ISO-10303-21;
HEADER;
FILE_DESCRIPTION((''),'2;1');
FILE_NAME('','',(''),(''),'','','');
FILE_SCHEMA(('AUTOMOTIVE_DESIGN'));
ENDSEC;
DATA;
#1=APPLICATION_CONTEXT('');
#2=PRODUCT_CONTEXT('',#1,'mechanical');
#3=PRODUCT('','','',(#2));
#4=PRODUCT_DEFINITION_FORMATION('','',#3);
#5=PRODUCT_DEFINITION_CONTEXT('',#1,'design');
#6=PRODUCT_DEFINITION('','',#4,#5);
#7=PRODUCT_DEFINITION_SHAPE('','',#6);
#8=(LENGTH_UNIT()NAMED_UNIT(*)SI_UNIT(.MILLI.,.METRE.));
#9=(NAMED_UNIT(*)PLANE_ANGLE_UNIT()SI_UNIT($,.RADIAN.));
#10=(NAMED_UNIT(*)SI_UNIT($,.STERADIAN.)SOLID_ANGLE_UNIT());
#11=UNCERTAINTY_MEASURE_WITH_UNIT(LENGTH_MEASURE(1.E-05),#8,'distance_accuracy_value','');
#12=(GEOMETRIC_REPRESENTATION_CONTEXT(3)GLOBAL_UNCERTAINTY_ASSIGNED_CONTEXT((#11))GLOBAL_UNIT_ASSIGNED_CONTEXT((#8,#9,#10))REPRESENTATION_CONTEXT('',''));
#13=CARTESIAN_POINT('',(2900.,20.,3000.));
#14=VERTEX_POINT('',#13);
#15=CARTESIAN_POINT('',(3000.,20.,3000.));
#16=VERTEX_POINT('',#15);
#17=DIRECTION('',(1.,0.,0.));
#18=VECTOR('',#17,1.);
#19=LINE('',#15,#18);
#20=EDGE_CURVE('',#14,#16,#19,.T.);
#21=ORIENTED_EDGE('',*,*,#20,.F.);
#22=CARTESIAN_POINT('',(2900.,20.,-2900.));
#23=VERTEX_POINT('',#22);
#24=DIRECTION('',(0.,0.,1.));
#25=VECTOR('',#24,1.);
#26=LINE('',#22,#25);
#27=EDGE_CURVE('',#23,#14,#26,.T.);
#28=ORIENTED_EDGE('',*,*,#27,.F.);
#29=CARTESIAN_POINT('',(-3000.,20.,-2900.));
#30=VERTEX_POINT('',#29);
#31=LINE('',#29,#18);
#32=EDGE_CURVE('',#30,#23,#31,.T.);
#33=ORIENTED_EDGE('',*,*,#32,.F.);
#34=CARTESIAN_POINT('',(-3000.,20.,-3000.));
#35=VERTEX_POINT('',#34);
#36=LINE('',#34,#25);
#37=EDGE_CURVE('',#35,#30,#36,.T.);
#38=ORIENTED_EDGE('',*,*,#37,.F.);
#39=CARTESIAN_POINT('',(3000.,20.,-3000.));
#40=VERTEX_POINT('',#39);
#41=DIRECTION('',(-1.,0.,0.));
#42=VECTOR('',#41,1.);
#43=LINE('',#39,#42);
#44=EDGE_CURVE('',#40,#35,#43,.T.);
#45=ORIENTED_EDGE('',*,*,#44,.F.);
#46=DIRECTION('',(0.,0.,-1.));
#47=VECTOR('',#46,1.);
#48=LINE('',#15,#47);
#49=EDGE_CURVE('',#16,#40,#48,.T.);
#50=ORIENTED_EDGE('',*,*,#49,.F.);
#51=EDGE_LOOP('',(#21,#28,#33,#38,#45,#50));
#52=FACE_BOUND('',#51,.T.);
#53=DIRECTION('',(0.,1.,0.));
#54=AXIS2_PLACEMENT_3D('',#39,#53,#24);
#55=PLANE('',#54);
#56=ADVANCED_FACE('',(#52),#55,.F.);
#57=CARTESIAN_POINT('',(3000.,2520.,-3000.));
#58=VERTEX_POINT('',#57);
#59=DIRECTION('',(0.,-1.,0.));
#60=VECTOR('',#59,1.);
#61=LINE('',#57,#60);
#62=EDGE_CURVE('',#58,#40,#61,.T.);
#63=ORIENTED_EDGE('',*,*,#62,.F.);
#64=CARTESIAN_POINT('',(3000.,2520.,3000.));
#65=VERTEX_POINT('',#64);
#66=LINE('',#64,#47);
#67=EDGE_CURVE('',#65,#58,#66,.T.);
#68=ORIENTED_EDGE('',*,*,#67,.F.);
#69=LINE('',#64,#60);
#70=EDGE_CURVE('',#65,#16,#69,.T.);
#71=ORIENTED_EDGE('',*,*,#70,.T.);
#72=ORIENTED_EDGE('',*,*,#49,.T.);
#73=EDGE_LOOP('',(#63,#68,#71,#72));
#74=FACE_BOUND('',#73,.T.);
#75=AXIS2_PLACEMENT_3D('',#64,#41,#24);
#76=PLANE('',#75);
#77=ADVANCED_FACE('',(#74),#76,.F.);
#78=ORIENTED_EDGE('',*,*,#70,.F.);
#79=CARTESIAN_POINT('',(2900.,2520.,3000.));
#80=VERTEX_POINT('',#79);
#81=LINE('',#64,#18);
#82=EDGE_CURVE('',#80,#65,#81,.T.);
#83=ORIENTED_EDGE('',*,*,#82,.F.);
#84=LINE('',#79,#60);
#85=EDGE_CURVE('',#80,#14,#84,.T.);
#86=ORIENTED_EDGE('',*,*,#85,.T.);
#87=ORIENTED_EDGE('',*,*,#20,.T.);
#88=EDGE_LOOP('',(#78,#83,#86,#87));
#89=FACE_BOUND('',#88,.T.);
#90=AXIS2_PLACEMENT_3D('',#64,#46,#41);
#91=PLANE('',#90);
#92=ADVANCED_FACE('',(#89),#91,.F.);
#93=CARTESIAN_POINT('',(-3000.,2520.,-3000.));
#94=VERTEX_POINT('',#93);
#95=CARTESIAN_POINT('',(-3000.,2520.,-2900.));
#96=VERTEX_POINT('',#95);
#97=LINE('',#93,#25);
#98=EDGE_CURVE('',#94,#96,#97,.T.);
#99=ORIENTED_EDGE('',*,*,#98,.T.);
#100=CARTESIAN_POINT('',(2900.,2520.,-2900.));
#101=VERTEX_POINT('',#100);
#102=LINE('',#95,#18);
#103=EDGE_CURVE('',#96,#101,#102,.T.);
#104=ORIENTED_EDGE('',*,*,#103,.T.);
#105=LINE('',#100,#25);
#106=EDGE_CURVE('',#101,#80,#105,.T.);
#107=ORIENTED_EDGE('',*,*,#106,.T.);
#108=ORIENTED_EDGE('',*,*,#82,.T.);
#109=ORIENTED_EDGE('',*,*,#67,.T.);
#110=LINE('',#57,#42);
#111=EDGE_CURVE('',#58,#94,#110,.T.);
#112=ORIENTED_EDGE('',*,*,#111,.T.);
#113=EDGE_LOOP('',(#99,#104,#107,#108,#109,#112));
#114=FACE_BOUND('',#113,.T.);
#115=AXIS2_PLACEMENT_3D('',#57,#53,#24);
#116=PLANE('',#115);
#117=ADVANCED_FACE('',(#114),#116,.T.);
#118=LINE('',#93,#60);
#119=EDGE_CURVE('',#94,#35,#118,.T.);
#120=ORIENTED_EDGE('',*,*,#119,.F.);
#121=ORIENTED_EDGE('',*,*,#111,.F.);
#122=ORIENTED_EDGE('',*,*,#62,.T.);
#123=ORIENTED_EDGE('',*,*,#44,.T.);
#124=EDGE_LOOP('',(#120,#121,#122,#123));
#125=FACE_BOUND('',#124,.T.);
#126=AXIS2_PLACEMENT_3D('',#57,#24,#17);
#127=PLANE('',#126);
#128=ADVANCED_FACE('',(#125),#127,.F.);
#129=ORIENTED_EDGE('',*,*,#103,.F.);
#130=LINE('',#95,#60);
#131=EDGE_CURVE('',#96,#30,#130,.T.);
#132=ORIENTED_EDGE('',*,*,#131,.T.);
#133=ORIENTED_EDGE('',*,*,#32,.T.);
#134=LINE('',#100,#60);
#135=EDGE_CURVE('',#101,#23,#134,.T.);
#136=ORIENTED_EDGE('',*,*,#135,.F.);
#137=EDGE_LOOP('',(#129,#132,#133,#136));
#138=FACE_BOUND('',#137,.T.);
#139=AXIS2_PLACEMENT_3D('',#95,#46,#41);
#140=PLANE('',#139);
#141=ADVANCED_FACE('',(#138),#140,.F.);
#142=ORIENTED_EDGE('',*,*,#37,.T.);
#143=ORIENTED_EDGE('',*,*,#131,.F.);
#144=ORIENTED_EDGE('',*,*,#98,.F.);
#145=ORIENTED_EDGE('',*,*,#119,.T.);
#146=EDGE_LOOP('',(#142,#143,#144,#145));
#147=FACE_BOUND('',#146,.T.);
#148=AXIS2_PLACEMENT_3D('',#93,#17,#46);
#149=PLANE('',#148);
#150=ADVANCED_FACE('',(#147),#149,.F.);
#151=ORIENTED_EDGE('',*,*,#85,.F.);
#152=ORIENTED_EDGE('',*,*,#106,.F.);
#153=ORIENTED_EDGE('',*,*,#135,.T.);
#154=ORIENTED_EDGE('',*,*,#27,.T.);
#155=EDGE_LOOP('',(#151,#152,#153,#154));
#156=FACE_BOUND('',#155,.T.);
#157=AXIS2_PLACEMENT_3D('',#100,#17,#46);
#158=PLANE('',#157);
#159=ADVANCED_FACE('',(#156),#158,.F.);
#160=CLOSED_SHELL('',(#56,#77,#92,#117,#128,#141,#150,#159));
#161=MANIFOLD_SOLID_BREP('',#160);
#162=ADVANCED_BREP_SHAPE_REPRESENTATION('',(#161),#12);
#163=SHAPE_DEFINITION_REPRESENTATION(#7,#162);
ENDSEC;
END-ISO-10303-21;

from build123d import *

# Parameters (mm, degrees)
CROQUIS1_W     = 6000
CROQUIS1_H     = 6000
EXTRUIR1_DEPTH = 20
EXTRUIR2_DEPTH = 2500


with BuildPart() as part:
    # Croquis1 → Extruir1 (new body)
    with BuildSketch(Plane(origin=(0, 0, 0), x_dir=(1, 0, 0), z_dir=(0, 1, 0))):
        Rectangle(CROQUIS1_W, CROQUIS1_H)
    extrude(amount=EXTRUIR1_DEPTH)


with BuildPart() as body_2:
    # Croquis2 → Extruir2 (new body)
    with BuildSketch(Plane(origin=(0, 20, 0), x_dir=(1, 0, 0), z_dir=(0, 1, 0))):
        Polygon((3000, 3000), (-3000, 3000), (-3000, 2900), (2900, 2900), (2900, -3000), (3000, -3000), align=None)
    extrude(amount=EXTRUIR2_DEPTH)


solid = body_2.part
